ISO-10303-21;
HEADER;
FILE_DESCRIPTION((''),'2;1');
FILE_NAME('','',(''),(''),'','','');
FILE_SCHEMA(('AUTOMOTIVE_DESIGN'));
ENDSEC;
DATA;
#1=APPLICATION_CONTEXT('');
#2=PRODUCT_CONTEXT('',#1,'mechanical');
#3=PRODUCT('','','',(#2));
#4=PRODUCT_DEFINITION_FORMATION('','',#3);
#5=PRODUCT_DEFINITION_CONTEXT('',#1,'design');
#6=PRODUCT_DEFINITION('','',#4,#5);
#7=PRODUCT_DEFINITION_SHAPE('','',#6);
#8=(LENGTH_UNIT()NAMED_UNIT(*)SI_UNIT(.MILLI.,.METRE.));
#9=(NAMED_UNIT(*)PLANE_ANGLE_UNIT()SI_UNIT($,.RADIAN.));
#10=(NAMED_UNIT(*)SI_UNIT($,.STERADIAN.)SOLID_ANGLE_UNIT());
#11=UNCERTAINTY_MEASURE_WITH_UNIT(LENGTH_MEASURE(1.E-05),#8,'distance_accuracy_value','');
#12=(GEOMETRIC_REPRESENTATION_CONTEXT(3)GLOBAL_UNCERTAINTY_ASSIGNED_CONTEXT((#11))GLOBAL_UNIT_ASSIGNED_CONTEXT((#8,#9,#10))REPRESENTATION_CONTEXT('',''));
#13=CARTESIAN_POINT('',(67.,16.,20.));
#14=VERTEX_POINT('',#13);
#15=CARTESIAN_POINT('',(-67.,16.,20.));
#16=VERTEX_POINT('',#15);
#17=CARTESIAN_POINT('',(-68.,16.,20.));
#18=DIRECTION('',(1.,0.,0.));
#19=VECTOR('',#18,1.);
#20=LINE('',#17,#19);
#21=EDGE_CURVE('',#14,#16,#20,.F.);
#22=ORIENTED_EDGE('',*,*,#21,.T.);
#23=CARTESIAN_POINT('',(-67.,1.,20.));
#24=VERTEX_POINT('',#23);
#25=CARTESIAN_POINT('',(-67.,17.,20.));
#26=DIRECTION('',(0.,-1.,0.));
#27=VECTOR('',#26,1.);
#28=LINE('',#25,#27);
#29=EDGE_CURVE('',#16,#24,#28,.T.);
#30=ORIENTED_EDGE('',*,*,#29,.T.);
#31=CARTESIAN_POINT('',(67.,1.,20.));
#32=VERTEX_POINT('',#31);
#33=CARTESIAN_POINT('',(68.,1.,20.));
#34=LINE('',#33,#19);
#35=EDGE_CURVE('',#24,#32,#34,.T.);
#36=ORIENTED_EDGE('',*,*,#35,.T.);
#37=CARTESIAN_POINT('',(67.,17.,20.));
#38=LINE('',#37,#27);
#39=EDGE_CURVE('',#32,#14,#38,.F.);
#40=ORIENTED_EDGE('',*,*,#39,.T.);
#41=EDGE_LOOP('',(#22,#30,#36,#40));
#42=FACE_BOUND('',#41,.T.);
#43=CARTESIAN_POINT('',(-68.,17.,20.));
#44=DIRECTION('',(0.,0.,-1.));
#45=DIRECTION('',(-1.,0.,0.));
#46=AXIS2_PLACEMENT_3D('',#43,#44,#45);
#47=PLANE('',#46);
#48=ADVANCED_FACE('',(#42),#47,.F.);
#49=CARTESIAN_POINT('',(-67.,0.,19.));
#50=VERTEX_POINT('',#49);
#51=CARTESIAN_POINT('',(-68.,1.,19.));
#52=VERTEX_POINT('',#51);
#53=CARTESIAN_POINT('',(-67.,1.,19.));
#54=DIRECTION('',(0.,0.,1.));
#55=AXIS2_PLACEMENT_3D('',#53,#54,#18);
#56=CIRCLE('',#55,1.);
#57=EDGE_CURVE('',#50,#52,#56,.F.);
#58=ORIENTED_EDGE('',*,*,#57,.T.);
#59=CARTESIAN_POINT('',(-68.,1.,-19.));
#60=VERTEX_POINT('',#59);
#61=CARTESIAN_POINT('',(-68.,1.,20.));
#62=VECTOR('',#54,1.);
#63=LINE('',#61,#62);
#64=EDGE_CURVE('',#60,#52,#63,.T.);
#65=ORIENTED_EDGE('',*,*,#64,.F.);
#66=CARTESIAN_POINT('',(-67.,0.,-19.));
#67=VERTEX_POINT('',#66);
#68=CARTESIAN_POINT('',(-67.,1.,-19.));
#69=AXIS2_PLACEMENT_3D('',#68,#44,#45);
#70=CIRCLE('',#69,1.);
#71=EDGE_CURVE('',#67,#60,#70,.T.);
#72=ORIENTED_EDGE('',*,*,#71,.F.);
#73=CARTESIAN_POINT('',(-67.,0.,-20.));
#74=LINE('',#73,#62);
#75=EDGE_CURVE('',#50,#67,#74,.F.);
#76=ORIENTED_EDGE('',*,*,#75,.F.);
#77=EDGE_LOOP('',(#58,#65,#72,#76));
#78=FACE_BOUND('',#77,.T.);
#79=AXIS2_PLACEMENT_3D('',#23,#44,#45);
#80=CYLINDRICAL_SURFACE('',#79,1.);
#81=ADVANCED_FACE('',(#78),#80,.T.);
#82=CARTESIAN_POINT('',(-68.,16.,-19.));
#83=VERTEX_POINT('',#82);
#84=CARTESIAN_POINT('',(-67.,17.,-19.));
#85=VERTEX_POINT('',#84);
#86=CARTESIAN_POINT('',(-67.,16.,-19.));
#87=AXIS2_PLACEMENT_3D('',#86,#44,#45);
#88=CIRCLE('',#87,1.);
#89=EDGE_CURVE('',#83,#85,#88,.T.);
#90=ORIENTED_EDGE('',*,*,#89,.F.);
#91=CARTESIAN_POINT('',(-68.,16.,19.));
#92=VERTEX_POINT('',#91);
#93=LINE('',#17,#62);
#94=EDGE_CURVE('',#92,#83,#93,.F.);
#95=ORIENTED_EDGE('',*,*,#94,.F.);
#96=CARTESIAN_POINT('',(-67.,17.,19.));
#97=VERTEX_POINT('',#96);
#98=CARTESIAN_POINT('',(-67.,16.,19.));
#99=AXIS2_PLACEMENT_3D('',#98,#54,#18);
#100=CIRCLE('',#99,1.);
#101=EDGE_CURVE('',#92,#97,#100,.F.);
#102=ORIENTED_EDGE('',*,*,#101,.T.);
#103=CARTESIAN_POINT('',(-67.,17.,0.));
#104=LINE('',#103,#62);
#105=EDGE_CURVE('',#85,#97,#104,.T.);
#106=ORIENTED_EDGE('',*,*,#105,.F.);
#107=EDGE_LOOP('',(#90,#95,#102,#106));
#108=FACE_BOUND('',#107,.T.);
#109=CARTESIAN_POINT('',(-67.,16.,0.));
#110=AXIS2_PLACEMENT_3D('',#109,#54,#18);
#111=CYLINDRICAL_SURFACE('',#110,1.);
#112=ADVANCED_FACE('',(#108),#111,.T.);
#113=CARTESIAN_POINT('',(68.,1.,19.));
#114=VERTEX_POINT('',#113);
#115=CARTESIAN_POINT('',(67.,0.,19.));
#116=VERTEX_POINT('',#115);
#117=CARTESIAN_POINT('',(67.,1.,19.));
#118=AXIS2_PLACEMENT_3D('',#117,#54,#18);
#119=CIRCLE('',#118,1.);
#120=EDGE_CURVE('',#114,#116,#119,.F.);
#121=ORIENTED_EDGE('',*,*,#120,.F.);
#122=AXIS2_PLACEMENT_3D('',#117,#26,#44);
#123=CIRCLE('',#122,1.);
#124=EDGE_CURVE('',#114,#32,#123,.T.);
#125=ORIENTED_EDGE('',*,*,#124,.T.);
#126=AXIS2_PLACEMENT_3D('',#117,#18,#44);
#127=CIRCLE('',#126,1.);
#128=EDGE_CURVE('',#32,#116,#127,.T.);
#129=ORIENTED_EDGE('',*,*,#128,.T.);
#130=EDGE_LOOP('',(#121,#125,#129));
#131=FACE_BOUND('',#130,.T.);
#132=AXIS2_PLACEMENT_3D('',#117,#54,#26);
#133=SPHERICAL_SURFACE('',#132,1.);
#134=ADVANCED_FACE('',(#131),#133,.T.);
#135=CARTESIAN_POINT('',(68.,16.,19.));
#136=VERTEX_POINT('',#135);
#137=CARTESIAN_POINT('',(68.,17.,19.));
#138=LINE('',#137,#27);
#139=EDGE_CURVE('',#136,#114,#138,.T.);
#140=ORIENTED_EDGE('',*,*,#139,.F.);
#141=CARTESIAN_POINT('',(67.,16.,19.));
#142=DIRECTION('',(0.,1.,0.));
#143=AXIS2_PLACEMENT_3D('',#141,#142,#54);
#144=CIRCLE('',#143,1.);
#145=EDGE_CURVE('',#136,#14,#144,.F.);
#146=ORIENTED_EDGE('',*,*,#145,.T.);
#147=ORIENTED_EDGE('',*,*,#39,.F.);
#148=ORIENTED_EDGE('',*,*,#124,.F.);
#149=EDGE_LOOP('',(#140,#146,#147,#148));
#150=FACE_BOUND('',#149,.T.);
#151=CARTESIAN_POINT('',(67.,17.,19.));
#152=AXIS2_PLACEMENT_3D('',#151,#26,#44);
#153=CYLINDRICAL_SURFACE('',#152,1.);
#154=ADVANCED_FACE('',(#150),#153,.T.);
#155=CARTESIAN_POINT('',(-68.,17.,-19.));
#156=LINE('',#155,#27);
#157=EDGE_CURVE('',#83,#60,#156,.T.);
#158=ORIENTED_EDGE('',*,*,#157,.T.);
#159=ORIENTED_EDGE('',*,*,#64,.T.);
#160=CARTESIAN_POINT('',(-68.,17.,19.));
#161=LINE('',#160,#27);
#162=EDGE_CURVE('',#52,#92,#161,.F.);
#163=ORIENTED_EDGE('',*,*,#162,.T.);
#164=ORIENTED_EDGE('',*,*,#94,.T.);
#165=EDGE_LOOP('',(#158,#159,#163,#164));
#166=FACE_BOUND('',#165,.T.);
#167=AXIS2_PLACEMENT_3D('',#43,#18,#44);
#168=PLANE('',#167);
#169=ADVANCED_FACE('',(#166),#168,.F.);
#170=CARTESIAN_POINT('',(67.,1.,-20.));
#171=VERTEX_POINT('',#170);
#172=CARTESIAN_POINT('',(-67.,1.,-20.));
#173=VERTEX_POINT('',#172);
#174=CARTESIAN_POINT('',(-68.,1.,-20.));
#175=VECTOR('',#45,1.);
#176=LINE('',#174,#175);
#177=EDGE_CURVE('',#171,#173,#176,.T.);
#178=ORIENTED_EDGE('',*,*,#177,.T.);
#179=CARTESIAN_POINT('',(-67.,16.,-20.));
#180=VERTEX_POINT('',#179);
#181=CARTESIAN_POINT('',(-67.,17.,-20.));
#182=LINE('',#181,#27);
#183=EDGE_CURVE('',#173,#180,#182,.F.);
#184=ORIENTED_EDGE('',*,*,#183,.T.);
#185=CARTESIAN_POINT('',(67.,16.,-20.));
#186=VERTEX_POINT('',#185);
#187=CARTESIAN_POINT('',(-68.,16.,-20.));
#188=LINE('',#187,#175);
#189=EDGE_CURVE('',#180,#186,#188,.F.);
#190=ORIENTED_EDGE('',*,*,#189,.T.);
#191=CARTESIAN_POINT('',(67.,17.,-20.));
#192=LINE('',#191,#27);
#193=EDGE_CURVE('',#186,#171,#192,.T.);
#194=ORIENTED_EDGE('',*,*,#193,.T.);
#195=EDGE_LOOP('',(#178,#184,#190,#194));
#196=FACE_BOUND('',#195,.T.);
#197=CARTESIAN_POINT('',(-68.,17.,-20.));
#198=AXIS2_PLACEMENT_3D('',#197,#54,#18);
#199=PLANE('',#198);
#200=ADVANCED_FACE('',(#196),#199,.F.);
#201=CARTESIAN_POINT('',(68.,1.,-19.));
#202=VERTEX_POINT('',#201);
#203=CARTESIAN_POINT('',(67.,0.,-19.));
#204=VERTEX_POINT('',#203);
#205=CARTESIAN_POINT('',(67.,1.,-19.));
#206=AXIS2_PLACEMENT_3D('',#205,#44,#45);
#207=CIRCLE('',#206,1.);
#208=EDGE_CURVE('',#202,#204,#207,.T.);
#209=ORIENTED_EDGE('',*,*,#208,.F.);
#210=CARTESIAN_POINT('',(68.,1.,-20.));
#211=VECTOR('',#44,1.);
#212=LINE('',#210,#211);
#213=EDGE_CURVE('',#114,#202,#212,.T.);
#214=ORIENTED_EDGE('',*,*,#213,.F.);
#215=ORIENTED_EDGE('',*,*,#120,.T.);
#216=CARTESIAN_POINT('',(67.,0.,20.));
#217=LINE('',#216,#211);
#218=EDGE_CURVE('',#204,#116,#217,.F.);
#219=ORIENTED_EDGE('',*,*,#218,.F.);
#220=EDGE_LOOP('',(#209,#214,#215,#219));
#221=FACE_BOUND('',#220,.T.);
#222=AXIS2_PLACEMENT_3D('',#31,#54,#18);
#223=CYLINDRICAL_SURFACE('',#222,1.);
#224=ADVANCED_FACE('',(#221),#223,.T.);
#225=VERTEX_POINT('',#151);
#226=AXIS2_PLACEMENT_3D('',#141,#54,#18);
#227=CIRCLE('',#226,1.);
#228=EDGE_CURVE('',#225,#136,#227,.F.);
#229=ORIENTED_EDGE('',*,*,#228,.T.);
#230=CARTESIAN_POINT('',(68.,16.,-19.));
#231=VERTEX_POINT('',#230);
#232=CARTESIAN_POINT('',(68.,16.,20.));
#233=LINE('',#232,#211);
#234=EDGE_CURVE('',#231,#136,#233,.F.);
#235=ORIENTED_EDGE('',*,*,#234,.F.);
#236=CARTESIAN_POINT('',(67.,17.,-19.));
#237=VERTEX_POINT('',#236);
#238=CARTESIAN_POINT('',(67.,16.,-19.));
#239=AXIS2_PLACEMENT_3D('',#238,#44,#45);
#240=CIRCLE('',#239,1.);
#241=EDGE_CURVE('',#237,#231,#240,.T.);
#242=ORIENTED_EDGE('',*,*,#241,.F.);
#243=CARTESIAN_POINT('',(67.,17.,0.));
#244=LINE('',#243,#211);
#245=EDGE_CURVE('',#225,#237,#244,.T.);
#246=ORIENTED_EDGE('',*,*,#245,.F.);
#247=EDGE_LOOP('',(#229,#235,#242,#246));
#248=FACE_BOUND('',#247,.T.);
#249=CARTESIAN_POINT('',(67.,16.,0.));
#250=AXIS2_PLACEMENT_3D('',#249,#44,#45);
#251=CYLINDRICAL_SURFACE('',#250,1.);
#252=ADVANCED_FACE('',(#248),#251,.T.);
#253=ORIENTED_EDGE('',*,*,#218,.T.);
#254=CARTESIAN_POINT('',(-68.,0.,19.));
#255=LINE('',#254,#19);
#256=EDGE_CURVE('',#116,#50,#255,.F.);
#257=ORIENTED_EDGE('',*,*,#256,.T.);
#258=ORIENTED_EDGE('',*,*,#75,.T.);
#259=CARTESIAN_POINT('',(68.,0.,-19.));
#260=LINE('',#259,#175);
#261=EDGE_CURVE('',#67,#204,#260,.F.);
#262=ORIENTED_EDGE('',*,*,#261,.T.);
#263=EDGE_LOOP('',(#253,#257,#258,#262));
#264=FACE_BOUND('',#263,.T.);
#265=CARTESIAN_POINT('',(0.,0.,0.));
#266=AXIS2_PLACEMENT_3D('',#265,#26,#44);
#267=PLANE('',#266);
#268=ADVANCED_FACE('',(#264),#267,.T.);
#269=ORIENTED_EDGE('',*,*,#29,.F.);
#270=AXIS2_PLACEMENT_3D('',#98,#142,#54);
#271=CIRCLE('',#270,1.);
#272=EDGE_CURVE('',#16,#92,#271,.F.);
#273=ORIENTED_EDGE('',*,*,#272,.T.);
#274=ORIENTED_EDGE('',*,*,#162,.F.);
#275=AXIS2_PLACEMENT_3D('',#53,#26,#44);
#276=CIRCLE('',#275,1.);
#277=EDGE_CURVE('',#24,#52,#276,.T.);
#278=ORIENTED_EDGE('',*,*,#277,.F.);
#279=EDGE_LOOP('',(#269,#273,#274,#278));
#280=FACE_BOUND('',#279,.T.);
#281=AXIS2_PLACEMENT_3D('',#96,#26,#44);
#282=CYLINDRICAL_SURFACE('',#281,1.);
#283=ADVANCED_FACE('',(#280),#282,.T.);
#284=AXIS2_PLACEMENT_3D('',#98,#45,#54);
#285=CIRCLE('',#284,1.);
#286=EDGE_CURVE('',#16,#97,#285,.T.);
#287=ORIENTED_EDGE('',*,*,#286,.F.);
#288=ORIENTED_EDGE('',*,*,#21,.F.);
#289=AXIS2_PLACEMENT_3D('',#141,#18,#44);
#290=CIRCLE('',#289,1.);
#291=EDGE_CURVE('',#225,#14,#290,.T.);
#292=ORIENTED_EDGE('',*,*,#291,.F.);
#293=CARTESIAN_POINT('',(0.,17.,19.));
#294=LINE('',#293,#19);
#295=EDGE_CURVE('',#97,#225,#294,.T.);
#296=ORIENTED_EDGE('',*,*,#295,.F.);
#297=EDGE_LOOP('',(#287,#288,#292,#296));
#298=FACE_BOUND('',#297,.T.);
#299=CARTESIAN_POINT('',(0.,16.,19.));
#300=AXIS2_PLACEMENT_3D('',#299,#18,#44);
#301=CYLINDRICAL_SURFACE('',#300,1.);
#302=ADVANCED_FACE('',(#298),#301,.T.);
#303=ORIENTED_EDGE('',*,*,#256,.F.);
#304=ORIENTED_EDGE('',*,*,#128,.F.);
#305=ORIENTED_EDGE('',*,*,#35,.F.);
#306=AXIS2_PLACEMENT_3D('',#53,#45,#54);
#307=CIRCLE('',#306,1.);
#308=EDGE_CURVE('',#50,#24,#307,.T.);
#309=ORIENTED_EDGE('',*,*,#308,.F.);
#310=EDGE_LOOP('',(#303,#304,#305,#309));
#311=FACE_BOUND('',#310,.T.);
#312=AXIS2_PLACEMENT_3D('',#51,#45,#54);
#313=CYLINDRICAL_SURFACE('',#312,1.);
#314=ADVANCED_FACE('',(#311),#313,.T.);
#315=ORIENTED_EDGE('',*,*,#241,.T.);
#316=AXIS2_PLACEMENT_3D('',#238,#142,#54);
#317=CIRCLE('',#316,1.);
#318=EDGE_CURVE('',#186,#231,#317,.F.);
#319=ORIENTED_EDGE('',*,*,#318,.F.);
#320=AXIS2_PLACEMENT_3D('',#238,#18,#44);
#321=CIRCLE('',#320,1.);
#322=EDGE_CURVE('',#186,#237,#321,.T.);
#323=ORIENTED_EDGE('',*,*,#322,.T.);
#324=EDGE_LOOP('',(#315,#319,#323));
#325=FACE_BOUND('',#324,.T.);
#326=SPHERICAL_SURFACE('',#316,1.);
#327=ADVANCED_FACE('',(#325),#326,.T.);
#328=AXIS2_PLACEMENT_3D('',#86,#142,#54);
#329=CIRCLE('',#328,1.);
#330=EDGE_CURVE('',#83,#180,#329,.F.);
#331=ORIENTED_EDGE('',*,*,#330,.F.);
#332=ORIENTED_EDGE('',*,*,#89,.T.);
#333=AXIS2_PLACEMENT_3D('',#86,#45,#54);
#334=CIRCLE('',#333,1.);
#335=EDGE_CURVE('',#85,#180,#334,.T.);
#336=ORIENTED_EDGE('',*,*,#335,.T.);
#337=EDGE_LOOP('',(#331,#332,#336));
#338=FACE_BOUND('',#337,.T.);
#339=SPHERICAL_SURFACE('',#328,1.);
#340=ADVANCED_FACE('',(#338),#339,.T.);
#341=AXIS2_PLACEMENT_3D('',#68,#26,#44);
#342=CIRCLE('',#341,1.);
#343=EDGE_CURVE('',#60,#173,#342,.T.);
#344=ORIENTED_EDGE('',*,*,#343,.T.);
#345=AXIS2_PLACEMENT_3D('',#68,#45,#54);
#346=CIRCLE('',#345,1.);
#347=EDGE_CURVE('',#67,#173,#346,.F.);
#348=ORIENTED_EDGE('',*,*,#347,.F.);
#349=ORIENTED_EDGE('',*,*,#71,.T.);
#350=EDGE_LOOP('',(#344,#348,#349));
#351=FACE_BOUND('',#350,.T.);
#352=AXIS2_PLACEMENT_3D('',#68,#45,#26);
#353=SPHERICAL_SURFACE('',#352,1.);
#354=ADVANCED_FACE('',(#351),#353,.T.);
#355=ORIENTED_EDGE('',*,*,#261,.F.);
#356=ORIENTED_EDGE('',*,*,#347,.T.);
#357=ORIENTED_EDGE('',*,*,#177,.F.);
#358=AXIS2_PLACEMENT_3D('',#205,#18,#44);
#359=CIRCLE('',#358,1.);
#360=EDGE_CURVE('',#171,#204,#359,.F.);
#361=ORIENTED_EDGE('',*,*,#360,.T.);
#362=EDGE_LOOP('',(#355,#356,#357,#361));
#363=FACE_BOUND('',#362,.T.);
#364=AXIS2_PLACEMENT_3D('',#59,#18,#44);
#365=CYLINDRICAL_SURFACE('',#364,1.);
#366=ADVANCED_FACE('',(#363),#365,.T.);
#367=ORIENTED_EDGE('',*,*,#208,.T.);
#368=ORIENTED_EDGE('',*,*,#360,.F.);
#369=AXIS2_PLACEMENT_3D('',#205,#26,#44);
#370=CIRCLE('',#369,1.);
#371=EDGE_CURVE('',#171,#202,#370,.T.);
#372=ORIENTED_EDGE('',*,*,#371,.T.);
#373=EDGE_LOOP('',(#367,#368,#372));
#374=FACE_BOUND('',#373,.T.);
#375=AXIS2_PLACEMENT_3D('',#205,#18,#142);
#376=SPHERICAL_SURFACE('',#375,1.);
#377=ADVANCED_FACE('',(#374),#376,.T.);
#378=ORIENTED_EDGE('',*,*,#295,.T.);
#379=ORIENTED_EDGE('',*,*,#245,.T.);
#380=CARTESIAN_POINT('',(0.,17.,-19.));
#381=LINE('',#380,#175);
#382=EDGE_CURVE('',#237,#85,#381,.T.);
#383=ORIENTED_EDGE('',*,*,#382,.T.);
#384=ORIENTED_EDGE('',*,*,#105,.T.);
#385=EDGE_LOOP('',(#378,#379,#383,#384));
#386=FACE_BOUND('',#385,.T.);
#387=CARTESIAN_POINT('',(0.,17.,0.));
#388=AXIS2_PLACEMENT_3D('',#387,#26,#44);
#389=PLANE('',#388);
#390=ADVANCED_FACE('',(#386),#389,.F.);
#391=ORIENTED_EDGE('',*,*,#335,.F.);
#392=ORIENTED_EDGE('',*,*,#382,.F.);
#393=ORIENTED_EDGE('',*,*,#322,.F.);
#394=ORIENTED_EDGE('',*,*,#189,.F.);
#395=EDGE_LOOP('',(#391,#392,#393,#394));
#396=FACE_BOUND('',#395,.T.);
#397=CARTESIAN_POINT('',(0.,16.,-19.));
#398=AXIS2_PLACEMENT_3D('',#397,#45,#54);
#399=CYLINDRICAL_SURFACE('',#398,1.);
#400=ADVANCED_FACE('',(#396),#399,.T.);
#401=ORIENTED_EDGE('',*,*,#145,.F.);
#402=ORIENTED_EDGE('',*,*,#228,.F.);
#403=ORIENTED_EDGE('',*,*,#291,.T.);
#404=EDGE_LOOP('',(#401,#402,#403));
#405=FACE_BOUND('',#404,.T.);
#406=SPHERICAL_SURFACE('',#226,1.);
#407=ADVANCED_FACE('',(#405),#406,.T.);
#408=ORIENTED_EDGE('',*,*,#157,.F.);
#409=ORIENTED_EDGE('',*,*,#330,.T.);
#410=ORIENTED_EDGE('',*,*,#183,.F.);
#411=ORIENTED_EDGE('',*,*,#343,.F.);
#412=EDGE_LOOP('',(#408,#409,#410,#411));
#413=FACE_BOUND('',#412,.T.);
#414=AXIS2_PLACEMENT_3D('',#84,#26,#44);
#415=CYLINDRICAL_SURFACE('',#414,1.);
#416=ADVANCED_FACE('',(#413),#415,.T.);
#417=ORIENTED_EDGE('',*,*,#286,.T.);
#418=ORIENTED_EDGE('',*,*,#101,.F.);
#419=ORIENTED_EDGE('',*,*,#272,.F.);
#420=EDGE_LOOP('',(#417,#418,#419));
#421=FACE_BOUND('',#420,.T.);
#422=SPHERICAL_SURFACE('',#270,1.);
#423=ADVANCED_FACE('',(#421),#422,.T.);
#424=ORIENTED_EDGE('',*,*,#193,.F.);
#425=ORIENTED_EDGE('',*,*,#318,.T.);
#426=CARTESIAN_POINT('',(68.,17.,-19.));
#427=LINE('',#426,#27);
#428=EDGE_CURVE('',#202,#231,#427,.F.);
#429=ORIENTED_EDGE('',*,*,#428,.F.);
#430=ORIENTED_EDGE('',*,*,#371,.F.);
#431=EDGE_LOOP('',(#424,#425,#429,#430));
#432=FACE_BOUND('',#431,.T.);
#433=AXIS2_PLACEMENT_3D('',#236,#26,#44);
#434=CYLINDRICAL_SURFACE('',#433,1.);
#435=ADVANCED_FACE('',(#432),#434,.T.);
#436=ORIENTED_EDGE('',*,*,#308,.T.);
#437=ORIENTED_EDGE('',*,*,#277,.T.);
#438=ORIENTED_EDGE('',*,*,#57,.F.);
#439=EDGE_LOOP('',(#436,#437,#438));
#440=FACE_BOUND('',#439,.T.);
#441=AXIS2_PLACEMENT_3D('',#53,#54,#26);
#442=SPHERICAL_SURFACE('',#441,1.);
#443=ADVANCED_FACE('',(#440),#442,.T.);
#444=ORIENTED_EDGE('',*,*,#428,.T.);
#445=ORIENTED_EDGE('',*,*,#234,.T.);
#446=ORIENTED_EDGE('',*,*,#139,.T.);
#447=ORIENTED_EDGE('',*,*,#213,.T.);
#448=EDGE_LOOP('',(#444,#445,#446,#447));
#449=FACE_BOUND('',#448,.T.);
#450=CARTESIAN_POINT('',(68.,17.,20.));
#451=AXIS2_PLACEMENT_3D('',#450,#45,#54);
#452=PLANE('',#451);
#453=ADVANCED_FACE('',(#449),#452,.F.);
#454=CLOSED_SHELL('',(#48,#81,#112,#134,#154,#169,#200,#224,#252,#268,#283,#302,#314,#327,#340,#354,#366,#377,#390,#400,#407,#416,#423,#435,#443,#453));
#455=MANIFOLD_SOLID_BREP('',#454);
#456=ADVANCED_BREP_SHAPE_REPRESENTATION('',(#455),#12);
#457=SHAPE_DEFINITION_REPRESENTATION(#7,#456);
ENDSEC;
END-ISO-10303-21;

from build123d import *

# Parameters (mm, degrees)
SKETCH_1_W      = 136
SKETCH_1_H      = 40
EXTRUDE_1_DEPTH = 17
FILLET_1_R      = 1


with BuildPart() as part:
    # 草图1 → 凸台-拉伸1 (new body)
    with BuildSketch(Plane(origin=(0, 0, 0), x_dir=(1, 0, 0), z_dir=(0, 1, 0))):
        Rectangle(SKETCH_1_W, SKETCH_1_H)
    extrude(amount=EXTRUDE_1_DEPTH)

    # 圆角1
    fillet_1_edges = [part.edges().sort_by_distance(p)[0] for p in [
        (-68, 17, 0),
        (0, 17, 20),
        (68, 17, 0),
        (0, 0, 20),
        (-68, 0, 0),
        (0, 0, -20),
        (68, 0, 0),
        (68, 8.5, 20),
        (-68, 8.5, 20),
        (-68, 8.5, -20),
        (68, 8.5, -20),
        (0, 17, -20),
    ]]
    fillet(fillet_1_edges, radius=FILLET_1_R)


solid = part.part
